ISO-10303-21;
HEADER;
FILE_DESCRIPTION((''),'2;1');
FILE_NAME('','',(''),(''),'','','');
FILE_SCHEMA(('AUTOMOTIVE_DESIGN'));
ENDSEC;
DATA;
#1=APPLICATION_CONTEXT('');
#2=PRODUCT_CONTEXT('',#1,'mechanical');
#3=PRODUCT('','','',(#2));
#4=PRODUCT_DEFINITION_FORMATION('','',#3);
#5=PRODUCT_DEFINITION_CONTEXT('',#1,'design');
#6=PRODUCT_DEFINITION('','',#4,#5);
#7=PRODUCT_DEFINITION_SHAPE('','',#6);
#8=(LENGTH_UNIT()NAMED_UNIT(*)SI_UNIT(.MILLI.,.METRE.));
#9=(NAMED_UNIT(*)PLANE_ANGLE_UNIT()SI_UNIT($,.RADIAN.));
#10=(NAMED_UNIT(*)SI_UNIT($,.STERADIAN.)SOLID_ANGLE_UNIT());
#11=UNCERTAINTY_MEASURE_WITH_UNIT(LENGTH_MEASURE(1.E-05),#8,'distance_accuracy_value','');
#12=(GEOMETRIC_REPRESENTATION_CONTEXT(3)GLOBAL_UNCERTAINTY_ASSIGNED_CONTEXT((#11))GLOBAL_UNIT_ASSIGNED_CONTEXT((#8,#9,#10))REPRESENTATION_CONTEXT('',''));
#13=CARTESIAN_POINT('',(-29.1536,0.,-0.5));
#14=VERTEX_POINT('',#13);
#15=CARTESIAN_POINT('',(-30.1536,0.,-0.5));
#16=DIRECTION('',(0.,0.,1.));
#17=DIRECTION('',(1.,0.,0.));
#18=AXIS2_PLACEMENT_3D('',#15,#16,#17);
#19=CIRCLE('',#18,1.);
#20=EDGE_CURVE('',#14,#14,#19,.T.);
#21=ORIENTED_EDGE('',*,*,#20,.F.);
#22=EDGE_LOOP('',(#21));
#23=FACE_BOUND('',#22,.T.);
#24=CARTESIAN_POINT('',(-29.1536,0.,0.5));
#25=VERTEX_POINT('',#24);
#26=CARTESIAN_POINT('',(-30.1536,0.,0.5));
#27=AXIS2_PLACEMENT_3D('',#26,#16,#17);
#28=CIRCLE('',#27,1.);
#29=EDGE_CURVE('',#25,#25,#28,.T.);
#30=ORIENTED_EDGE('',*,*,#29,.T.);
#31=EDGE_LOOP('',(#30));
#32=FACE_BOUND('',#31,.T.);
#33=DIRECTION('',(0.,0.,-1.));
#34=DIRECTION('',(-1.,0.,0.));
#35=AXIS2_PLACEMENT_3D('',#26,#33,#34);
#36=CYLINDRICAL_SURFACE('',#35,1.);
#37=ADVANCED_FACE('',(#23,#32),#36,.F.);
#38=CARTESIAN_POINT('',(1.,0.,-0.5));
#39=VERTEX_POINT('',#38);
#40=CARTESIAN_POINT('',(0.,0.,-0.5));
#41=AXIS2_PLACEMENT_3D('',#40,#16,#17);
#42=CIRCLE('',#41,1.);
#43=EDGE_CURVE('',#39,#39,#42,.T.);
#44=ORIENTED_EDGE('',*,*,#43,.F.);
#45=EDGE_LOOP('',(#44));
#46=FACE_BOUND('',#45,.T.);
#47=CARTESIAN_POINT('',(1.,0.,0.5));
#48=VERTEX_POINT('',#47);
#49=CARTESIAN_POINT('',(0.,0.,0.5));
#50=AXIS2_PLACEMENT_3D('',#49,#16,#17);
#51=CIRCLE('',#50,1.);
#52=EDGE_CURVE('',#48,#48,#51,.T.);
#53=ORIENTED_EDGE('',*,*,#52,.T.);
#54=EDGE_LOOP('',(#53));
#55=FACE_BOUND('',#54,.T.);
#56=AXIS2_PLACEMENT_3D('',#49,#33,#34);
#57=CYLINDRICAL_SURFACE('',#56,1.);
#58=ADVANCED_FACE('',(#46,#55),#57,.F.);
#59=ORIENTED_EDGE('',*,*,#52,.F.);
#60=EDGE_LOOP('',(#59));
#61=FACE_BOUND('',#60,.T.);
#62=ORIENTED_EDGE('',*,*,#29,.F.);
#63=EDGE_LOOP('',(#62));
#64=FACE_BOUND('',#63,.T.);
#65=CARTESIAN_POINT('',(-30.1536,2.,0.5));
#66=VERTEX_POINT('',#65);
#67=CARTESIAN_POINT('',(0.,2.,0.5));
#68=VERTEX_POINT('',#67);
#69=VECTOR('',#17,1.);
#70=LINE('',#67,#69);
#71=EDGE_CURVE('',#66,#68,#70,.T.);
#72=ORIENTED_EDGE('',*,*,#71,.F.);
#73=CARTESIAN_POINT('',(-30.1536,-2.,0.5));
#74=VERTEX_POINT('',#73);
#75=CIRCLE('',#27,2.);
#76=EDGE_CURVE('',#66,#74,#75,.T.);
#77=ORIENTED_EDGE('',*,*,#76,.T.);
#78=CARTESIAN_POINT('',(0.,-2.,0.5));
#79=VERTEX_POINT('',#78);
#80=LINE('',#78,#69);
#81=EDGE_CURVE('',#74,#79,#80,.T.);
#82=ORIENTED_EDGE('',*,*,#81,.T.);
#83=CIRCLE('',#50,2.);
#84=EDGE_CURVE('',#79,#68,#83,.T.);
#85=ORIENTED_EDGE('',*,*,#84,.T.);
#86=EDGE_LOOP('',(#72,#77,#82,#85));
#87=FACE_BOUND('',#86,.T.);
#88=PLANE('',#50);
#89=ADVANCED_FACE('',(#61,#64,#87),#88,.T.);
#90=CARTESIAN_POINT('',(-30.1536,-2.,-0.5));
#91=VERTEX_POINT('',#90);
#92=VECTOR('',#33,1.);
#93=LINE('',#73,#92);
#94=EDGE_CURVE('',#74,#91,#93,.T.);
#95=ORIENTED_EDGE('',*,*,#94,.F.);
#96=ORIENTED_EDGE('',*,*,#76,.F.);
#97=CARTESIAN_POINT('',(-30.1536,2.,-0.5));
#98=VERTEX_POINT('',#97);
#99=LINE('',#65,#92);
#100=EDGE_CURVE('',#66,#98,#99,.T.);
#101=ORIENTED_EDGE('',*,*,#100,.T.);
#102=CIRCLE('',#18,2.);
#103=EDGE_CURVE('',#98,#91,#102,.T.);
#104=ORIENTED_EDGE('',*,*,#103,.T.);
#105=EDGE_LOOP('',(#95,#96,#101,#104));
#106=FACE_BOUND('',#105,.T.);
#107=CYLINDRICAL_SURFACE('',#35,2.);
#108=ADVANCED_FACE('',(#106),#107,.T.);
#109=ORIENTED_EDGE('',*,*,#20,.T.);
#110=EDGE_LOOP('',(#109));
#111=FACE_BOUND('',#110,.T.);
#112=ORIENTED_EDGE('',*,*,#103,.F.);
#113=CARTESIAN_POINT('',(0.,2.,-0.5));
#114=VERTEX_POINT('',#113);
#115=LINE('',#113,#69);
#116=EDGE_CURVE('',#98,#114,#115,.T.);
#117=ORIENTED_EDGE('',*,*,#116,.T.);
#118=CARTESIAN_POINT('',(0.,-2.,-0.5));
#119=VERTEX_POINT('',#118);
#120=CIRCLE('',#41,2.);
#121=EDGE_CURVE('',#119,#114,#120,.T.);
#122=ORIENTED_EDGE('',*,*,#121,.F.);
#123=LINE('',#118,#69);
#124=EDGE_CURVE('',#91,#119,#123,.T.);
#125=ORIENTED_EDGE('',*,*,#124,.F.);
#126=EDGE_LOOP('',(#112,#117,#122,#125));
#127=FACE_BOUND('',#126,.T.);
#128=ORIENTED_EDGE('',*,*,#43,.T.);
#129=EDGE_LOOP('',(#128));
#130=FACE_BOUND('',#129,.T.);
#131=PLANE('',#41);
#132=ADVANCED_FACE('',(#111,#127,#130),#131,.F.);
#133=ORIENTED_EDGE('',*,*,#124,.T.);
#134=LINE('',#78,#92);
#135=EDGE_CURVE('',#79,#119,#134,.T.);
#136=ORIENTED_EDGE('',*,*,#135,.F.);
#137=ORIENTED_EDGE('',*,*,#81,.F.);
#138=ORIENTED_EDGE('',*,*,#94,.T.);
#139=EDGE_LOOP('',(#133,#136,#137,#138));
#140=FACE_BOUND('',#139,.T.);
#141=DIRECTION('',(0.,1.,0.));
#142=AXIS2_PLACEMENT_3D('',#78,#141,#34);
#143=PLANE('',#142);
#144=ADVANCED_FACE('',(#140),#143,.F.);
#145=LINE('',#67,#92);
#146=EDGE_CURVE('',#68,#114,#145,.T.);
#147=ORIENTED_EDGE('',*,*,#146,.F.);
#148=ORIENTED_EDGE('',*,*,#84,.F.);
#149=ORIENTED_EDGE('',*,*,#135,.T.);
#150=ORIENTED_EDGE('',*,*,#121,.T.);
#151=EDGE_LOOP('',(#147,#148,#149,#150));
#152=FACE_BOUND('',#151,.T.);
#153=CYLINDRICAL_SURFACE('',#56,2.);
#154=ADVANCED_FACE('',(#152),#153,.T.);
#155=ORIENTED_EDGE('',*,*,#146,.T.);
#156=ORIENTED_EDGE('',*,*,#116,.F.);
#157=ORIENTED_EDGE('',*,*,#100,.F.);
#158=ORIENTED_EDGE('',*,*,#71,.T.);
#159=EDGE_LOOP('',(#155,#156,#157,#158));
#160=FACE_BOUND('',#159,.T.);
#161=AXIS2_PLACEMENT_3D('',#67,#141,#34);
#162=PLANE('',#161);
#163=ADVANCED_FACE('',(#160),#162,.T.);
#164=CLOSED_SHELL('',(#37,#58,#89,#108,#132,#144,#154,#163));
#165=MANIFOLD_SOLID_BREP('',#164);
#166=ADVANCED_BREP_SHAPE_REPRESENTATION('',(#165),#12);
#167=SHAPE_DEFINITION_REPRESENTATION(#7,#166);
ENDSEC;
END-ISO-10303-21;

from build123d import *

# Parameters (mm, degrees)
SKETCH_1_R      = 1
EXTRUDE_1_DEPTH = 0.5


with BuildPart() as part:
    # Эскиз1 → Бобышка-Вытянуть1 (new, symmetric)
    with BuildSketch(Plane.XY):
        with BuildLine():
            Line((0, 2), (-30.1536, 2))
            ThreePointArc((-30.1536, 2), (-32.1536, 0), (-30.1536, -2))
            Line((-30.1536, -2), (0, -2))
            ThreePointArc((0, -2), (2, 0), (0, 2))
        make_face()
        with Locations((-30.1536, 0)):
            Circle(SKETCH_1_R, mode=Mode.SUBTRACT)
        Circle(SKETCH_1_R, mode=Mode.SUBTRACT)
    extrude(amount=EXTRUDE_1_DEPTH, both=True)


solid = part.part
